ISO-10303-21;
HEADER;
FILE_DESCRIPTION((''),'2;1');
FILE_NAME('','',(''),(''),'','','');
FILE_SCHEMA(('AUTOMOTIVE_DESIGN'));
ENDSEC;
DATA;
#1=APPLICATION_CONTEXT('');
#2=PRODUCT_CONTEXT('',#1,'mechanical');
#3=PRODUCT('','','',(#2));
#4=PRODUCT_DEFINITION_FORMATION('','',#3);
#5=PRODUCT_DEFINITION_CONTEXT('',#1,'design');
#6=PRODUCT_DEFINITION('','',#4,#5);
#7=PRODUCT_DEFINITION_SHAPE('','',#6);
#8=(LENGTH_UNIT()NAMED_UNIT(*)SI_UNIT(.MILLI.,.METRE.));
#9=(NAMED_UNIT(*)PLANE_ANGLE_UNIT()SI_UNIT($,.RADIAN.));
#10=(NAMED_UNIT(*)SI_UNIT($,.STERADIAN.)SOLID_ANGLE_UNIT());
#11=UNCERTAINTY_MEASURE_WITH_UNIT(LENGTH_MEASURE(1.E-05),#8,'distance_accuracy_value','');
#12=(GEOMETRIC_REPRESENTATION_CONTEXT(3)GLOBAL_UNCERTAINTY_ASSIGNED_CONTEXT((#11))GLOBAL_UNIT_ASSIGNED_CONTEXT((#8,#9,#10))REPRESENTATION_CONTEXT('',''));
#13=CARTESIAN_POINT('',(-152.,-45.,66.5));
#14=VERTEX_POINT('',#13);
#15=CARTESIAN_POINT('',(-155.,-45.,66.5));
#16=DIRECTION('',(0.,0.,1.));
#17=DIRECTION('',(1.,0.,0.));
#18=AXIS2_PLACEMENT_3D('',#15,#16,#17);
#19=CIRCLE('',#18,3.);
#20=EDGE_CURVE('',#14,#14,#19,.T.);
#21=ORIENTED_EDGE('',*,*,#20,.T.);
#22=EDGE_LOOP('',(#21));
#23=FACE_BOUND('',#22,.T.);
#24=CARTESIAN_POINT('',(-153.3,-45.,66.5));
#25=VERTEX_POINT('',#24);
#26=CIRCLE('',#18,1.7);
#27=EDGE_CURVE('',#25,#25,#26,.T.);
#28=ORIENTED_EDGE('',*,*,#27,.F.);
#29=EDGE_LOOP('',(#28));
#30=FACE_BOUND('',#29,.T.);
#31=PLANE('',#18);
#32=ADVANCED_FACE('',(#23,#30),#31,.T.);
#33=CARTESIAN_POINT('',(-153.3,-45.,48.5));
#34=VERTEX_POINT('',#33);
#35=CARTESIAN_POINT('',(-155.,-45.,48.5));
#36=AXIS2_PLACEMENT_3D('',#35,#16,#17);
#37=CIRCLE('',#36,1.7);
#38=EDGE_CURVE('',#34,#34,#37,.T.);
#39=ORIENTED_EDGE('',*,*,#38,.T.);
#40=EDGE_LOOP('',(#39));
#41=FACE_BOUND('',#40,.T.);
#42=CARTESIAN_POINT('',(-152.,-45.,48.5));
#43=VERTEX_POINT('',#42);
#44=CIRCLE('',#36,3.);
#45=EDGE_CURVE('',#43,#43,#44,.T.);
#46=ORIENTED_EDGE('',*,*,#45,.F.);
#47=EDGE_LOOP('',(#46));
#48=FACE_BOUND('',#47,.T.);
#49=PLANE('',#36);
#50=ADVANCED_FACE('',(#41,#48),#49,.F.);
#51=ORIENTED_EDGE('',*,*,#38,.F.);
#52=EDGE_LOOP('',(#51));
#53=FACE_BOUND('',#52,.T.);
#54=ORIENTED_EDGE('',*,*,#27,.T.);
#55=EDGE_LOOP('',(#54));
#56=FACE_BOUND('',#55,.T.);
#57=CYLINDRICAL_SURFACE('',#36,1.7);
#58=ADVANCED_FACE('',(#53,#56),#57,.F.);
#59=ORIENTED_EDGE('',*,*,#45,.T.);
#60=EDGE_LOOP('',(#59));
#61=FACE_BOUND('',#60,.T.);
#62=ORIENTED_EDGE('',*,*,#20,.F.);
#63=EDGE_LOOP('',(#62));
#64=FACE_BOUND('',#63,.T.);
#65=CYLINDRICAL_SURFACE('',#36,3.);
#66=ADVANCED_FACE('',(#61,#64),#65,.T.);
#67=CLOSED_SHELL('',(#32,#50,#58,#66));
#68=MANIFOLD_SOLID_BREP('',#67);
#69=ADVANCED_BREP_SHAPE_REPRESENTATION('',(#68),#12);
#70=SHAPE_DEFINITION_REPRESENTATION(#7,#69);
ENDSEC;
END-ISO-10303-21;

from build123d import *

# Parameters (mm, degrees)
MAIN_PROFILE_SKETCH_R   = 3
MAIN_PROFILE_SKETCH_R_2 = 1.7
MAIN_EXTRUSION_DEPTH    = 18


with BuildPart() as part:
    # Main Profile Sketch → Main Extrusion (new body)
    with BuildSketch(Plane.XY.offset(66.5)):
        with Locations((-155, -45)):
            Circle(MAIN_PROFILE_SKETCH_R)
        with Locations((-155, -45)):
            Circle(MAIN_PROFILE_SKETCH_R_2, mode=Mode.SUBTRACT)
    extrude(amount=-MAIN_EXTRUSION_DEPTH)


solid = part.part
